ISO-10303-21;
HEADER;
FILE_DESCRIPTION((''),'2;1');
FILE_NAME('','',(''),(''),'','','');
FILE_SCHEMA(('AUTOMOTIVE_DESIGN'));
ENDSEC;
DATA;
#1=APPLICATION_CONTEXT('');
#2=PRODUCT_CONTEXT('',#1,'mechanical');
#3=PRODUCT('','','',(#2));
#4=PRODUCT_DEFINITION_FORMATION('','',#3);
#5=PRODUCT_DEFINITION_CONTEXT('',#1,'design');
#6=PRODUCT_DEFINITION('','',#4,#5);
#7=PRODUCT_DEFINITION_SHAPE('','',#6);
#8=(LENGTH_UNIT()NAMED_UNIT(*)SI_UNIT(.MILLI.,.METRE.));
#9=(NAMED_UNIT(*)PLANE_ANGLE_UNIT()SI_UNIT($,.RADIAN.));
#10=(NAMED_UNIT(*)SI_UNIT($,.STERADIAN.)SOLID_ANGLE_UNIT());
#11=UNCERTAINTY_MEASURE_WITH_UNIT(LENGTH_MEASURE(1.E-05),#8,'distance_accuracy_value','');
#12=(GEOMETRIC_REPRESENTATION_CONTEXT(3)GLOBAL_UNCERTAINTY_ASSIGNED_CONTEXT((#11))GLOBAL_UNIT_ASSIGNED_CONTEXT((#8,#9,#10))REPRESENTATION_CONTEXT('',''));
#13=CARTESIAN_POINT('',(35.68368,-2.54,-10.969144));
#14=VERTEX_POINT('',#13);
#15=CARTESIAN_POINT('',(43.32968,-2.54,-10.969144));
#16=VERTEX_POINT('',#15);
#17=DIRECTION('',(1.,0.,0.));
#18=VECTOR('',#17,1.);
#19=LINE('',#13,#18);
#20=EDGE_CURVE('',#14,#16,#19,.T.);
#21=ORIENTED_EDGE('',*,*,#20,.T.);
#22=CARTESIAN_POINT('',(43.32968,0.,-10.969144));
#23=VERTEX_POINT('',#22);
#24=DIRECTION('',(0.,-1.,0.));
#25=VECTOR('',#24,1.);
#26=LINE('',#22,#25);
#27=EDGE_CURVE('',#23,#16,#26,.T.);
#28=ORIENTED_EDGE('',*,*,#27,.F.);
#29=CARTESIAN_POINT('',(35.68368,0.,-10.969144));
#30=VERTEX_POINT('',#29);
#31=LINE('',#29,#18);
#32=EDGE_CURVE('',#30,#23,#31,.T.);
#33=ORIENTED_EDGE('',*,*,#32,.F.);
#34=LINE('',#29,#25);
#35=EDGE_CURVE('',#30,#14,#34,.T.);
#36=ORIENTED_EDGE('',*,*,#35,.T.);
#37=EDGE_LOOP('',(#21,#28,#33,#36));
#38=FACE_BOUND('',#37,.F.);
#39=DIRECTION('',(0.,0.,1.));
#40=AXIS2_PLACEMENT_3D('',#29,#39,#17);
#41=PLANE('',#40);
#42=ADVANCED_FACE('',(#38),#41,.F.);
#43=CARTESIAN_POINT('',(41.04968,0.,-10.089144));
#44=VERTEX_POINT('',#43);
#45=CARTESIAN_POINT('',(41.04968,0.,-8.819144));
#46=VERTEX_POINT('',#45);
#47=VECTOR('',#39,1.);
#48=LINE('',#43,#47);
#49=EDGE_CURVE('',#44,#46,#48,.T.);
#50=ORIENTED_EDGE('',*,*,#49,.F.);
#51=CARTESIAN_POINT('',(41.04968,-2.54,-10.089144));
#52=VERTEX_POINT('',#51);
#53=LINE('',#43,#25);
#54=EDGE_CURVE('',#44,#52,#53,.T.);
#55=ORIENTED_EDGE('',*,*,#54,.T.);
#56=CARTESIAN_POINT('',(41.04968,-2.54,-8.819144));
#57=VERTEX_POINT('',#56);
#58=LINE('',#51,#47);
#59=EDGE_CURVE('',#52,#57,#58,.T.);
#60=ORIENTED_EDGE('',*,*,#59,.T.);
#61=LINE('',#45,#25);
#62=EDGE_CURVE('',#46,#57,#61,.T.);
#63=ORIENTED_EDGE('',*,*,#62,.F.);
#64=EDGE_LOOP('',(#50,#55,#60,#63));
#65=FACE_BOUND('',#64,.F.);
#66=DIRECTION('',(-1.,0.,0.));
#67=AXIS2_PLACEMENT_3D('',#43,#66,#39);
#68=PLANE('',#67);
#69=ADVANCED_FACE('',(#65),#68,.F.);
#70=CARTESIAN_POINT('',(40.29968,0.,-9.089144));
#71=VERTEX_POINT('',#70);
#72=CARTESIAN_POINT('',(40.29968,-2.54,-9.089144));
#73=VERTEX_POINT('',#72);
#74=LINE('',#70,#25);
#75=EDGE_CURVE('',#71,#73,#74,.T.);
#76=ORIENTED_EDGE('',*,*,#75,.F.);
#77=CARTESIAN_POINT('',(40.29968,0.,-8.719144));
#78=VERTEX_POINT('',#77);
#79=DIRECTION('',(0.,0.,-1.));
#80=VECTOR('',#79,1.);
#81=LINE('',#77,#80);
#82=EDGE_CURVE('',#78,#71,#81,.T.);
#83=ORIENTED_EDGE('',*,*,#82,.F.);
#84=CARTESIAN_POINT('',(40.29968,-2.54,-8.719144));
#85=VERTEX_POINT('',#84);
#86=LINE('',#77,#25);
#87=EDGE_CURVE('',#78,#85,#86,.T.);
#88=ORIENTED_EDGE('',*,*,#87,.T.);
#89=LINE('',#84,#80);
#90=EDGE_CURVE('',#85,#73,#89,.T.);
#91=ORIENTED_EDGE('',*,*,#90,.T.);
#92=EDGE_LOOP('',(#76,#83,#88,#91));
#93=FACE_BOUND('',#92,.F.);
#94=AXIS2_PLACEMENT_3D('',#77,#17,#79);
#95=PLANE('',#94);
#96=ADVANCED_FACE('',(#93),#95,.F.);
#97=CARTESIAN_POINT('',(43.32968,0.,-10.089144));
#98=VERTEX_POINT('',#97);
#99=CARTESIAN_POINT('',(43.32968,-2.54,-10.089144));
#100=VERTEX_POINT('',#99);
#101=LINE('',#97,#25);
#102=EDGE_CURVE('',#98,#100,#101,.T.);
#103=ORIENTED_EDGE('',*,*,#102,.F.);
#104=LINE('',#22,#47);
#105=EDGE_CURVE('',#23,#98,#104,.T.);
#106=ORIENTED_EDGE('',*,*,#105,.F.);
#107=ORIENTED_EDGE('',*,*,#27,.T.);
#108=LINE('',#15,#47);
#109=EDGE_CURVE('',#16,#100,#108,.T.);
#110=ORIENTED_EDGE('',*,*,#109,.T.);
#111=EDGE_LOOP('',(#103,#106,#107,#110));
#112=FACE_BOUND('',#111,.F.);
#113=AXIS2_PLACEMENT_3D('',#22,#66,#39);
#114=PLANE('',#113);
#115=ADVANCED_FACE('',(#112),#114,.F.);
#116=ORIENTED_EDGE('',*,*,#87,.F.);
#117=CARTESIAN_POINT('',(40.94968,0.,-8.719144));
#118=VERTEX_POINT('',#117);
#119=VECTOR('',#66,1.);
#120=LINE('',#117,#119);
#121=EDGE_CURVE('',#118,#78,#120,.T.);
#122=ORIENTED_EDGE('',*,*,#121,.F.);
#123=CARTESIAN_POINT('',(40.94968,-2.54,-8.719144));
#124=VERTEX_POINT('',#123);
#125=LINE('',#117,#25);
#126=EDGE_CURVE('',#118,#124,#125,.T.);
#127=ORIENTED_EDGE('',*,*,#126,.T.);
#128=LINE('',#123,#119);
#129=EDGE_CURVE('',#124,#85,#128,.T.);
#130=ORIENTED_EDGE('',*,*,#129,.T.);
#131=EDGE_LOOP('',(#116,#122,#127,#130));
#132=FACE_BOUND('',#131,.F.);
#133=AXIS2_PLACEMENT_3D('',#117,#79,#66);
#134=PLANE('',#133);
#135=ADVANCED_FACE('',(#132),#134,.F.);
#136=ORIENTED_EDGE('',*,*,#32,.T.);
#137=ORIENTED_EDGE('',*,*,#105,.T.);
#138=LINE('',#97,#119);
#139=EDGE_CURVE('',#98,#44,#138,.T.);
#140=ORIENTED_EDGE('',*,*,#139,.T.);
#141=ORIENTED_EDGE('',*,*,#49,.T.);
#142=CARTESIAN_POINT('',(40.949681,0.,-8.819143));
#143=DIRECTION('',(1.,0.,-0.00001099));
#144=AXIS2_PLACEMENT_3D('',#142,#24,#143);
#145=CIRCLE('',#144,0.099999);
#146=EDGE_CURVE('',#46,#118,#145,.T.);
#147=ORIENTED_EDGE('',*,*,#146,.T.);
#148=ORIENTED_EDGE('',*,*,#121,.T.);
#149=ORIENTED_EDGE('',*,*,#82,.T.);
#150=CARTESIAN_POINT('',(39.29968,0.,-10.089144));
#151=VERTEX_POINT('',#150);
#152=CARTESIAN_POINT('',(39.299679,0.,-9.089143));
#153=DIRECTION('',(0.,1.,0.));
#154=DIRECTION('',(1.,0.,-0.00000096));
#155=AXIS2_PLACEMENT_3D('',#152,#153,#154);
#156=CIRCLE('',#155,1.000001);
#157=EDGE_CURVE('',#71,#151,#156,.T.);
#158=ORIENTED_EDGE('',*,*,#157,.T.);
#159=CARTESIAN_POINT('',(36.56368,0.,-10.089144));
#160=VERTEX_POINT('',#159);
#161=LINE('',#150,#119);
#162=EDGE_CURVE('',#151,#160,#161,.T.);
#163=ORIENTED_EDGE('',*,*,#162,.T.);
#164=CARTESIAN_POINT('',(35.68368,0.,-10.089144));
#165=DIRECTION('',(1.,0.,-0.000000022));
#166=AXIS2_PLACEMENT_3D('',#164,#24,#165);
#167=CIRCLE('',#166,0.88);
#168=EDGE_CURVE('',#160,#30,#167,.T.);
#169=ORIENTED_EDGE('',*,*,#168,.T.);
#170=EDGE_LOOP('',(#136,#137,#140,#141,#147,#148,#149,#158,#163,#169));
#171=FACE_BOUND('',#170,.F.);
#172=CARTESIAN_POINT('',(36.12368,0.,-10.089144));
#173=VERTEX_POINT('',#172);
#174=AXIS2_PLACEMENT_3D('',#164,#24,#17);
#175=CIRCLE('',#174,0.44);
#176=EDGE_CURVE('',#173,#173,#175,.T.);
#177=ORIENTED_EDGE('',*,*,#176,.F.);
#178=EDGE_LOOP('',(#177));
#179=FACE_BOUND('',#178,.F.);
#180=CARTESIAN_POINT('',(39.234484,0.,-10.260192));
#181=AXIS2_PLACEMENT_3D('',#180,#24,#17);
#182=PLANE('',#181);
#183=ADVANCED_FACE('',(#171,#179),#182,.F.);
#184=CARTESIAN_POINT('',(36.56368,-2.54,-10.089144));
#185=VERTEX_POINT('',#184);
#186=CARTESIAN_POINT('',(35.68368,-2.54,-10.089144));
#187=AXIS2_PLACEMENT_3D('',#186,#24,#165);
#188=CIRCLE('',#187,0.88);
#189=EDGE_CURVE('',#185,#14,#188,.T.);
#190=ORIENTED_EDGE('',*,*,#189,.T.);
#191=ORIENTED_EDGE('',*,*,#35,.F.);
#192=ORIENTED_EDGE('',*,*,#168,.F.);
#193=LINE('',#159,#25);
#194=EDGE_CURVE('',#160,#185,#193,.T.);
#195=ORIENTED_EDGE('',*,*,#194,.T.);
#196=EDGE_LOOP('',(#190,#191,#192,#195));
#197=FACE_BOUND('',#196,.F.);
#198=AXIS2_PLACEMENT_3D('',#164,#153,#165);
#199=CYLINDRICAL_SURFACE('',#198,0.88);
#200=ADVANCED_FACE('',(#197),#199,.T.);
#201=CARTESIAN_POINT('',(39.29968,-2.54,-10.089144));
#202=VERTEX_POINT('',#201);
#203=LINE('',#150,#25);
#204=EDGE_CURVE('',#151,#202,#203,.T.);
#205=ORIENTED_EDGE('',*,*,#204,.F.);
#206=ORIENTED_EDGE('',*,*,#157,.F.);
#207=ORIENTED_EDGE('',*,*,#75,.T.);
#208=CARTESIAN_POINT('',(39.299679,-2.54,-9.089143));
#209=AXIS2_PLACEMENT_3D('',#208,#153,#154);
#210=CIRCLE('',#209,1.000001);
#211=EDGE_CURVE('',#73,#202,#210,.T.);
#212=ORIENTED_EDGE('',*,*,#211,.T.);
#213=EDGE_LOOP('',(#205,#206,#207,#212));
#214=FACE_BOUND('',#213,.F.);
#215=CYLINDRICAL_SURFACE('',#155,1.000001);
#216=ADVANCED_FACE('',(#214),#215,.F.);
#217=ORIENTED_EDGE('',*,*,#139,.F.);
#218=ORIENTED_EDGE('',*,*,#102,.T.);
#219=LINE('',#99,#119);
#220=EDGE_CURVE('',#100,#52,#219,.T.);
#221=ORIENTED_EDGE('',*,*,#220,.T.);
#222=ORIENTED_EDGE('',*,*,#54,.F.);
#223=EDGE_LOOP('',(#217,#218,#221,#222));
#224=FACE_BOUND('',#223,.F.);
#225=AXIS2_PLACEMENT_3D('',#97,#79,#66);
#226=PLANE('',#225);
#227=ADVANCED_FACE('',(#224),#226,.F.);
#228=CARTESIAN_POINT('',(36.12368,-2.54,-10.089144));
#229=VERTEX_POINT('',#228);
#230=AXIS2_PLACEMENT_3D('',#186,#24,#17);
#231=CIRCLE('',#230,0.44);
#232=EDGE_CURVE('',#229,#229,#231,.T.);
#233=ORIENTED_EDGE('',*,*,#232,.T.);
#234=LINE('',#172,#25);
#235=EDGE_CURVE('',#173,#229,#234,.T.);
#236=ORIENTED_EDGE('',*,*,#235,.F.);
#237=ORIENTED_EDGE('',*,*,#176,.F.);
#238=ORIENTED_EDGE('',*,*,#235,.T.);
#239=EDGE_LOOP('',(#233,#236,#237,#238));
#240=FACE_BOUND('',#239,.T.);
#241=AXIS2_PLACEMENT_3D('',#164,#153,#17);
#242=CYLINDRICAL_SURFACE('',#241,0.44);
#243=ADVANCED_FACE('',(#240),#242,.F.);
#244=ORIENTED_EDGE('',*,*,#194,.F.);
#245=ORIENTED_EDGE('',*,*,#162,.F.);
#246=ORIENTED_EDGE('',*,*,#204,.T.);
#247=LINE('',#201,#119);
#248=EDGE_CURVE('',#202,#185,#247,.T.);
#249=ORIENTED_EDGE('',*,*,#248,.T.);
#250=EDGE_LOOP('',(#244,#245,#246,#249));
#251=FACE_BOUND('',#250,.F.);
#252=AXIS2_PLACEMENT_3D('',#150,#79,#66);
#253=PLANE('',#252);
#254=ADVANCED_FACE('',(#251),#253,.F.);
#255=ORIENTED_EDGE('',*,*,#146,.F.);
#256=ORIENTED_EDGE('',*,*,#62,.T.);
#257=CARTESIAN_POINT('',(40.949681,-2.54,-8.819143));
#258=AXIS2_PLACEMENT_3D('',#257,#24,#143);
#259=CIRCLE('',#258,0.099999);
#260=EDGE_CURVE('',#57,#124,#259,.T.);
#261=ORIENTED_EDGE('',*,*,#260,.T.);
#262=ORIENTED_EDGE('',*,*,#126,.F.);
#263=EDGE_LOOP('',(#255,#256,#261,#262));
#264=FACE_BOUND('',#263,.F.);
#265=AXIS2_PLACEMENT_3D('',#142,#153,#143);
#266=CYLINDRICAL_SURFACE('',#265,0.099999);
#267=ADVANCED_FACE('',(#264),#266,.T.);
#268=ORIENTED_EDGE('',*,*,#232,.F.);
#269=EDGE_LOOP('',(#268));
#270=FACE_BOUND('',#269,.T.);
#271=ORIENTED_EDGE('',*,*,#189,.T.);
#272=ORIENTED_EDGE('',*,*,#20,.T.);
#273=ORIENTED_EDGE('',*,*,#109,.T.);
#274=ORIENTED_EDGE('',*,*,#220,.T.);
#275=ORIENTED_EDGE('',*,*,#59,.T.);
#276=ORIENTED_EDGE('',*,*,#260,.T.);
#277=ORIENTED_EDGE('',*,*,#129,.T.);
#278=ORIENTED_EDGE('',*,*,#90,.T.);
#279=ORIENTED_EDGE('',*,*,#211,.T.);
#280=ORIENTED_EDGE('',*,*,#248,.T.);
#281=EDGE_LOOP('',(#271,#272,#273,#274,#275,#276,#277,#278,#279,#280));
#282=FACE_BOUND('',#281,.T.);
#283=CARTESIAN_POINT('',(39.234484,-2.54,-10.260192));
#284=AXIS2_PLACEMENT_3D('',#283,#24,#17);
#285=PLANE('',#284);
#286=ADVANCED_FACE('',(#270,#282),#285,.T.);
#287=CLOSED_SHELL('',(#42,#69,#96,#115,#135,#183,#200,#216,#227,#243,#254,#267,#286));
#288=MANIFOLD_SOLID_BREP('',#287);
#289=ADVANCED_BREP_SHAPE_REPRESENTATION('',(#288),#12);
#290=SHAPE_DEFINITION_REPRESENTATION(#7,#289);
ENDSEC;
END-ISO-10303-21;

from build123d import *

# Parameters (mm, degrees)
F0_R     = 0.44
F1_DEPTH = 2.54


with BuildPart() as f1:
    # F0 (on Front) → F1 (new body)
    with BuildSketch(Plane.XZ):
        with BuildLine():
            Line((38.29968, -10.089144), (36.56368, -10.089144))
            ThreePointArc((36.56368, -10.089144), (35.061426, -9.46689), (35.68368, -10.969144))
            Line((35.68368, -10.969144), (40.29968, -10.969144))
            Line((40.29968, -10.969144), (43.32968, -10.969144))
            Line((43.32968, -10.969144), (43.32968, -10.089144))
            Line((43.32968, -10.089144), (41.04968, -10.089144))
            Line((41.04968, -10.089144), (41.04968, -8.919144))
            Line((41.04968, -8.919144), (41.04968, -8.819144))
            ThreePointArc((41.04968, -8.819144), (41.020391, -8.748433), (40.94968, -8.719144))
            Line((40.94968, -8.719144), (40.29968, -8.719144))
            Line((40.29968, -8.719144), (40.29968, -9.089144))
            ThreePointArc((40.29968, -9.089144), (40.006787, -9.79625), (39.29968, -10.089144))
            Line((39.29968, -10.089144), (38.29968, -10.089144))
        make_face()
        with Locations((35.68368, -10.089144)):
            Circle(F0_R, mode=Mode.SUBTRACT)
    extrude(amount=F1_DEPTH)


solid = f1.part
